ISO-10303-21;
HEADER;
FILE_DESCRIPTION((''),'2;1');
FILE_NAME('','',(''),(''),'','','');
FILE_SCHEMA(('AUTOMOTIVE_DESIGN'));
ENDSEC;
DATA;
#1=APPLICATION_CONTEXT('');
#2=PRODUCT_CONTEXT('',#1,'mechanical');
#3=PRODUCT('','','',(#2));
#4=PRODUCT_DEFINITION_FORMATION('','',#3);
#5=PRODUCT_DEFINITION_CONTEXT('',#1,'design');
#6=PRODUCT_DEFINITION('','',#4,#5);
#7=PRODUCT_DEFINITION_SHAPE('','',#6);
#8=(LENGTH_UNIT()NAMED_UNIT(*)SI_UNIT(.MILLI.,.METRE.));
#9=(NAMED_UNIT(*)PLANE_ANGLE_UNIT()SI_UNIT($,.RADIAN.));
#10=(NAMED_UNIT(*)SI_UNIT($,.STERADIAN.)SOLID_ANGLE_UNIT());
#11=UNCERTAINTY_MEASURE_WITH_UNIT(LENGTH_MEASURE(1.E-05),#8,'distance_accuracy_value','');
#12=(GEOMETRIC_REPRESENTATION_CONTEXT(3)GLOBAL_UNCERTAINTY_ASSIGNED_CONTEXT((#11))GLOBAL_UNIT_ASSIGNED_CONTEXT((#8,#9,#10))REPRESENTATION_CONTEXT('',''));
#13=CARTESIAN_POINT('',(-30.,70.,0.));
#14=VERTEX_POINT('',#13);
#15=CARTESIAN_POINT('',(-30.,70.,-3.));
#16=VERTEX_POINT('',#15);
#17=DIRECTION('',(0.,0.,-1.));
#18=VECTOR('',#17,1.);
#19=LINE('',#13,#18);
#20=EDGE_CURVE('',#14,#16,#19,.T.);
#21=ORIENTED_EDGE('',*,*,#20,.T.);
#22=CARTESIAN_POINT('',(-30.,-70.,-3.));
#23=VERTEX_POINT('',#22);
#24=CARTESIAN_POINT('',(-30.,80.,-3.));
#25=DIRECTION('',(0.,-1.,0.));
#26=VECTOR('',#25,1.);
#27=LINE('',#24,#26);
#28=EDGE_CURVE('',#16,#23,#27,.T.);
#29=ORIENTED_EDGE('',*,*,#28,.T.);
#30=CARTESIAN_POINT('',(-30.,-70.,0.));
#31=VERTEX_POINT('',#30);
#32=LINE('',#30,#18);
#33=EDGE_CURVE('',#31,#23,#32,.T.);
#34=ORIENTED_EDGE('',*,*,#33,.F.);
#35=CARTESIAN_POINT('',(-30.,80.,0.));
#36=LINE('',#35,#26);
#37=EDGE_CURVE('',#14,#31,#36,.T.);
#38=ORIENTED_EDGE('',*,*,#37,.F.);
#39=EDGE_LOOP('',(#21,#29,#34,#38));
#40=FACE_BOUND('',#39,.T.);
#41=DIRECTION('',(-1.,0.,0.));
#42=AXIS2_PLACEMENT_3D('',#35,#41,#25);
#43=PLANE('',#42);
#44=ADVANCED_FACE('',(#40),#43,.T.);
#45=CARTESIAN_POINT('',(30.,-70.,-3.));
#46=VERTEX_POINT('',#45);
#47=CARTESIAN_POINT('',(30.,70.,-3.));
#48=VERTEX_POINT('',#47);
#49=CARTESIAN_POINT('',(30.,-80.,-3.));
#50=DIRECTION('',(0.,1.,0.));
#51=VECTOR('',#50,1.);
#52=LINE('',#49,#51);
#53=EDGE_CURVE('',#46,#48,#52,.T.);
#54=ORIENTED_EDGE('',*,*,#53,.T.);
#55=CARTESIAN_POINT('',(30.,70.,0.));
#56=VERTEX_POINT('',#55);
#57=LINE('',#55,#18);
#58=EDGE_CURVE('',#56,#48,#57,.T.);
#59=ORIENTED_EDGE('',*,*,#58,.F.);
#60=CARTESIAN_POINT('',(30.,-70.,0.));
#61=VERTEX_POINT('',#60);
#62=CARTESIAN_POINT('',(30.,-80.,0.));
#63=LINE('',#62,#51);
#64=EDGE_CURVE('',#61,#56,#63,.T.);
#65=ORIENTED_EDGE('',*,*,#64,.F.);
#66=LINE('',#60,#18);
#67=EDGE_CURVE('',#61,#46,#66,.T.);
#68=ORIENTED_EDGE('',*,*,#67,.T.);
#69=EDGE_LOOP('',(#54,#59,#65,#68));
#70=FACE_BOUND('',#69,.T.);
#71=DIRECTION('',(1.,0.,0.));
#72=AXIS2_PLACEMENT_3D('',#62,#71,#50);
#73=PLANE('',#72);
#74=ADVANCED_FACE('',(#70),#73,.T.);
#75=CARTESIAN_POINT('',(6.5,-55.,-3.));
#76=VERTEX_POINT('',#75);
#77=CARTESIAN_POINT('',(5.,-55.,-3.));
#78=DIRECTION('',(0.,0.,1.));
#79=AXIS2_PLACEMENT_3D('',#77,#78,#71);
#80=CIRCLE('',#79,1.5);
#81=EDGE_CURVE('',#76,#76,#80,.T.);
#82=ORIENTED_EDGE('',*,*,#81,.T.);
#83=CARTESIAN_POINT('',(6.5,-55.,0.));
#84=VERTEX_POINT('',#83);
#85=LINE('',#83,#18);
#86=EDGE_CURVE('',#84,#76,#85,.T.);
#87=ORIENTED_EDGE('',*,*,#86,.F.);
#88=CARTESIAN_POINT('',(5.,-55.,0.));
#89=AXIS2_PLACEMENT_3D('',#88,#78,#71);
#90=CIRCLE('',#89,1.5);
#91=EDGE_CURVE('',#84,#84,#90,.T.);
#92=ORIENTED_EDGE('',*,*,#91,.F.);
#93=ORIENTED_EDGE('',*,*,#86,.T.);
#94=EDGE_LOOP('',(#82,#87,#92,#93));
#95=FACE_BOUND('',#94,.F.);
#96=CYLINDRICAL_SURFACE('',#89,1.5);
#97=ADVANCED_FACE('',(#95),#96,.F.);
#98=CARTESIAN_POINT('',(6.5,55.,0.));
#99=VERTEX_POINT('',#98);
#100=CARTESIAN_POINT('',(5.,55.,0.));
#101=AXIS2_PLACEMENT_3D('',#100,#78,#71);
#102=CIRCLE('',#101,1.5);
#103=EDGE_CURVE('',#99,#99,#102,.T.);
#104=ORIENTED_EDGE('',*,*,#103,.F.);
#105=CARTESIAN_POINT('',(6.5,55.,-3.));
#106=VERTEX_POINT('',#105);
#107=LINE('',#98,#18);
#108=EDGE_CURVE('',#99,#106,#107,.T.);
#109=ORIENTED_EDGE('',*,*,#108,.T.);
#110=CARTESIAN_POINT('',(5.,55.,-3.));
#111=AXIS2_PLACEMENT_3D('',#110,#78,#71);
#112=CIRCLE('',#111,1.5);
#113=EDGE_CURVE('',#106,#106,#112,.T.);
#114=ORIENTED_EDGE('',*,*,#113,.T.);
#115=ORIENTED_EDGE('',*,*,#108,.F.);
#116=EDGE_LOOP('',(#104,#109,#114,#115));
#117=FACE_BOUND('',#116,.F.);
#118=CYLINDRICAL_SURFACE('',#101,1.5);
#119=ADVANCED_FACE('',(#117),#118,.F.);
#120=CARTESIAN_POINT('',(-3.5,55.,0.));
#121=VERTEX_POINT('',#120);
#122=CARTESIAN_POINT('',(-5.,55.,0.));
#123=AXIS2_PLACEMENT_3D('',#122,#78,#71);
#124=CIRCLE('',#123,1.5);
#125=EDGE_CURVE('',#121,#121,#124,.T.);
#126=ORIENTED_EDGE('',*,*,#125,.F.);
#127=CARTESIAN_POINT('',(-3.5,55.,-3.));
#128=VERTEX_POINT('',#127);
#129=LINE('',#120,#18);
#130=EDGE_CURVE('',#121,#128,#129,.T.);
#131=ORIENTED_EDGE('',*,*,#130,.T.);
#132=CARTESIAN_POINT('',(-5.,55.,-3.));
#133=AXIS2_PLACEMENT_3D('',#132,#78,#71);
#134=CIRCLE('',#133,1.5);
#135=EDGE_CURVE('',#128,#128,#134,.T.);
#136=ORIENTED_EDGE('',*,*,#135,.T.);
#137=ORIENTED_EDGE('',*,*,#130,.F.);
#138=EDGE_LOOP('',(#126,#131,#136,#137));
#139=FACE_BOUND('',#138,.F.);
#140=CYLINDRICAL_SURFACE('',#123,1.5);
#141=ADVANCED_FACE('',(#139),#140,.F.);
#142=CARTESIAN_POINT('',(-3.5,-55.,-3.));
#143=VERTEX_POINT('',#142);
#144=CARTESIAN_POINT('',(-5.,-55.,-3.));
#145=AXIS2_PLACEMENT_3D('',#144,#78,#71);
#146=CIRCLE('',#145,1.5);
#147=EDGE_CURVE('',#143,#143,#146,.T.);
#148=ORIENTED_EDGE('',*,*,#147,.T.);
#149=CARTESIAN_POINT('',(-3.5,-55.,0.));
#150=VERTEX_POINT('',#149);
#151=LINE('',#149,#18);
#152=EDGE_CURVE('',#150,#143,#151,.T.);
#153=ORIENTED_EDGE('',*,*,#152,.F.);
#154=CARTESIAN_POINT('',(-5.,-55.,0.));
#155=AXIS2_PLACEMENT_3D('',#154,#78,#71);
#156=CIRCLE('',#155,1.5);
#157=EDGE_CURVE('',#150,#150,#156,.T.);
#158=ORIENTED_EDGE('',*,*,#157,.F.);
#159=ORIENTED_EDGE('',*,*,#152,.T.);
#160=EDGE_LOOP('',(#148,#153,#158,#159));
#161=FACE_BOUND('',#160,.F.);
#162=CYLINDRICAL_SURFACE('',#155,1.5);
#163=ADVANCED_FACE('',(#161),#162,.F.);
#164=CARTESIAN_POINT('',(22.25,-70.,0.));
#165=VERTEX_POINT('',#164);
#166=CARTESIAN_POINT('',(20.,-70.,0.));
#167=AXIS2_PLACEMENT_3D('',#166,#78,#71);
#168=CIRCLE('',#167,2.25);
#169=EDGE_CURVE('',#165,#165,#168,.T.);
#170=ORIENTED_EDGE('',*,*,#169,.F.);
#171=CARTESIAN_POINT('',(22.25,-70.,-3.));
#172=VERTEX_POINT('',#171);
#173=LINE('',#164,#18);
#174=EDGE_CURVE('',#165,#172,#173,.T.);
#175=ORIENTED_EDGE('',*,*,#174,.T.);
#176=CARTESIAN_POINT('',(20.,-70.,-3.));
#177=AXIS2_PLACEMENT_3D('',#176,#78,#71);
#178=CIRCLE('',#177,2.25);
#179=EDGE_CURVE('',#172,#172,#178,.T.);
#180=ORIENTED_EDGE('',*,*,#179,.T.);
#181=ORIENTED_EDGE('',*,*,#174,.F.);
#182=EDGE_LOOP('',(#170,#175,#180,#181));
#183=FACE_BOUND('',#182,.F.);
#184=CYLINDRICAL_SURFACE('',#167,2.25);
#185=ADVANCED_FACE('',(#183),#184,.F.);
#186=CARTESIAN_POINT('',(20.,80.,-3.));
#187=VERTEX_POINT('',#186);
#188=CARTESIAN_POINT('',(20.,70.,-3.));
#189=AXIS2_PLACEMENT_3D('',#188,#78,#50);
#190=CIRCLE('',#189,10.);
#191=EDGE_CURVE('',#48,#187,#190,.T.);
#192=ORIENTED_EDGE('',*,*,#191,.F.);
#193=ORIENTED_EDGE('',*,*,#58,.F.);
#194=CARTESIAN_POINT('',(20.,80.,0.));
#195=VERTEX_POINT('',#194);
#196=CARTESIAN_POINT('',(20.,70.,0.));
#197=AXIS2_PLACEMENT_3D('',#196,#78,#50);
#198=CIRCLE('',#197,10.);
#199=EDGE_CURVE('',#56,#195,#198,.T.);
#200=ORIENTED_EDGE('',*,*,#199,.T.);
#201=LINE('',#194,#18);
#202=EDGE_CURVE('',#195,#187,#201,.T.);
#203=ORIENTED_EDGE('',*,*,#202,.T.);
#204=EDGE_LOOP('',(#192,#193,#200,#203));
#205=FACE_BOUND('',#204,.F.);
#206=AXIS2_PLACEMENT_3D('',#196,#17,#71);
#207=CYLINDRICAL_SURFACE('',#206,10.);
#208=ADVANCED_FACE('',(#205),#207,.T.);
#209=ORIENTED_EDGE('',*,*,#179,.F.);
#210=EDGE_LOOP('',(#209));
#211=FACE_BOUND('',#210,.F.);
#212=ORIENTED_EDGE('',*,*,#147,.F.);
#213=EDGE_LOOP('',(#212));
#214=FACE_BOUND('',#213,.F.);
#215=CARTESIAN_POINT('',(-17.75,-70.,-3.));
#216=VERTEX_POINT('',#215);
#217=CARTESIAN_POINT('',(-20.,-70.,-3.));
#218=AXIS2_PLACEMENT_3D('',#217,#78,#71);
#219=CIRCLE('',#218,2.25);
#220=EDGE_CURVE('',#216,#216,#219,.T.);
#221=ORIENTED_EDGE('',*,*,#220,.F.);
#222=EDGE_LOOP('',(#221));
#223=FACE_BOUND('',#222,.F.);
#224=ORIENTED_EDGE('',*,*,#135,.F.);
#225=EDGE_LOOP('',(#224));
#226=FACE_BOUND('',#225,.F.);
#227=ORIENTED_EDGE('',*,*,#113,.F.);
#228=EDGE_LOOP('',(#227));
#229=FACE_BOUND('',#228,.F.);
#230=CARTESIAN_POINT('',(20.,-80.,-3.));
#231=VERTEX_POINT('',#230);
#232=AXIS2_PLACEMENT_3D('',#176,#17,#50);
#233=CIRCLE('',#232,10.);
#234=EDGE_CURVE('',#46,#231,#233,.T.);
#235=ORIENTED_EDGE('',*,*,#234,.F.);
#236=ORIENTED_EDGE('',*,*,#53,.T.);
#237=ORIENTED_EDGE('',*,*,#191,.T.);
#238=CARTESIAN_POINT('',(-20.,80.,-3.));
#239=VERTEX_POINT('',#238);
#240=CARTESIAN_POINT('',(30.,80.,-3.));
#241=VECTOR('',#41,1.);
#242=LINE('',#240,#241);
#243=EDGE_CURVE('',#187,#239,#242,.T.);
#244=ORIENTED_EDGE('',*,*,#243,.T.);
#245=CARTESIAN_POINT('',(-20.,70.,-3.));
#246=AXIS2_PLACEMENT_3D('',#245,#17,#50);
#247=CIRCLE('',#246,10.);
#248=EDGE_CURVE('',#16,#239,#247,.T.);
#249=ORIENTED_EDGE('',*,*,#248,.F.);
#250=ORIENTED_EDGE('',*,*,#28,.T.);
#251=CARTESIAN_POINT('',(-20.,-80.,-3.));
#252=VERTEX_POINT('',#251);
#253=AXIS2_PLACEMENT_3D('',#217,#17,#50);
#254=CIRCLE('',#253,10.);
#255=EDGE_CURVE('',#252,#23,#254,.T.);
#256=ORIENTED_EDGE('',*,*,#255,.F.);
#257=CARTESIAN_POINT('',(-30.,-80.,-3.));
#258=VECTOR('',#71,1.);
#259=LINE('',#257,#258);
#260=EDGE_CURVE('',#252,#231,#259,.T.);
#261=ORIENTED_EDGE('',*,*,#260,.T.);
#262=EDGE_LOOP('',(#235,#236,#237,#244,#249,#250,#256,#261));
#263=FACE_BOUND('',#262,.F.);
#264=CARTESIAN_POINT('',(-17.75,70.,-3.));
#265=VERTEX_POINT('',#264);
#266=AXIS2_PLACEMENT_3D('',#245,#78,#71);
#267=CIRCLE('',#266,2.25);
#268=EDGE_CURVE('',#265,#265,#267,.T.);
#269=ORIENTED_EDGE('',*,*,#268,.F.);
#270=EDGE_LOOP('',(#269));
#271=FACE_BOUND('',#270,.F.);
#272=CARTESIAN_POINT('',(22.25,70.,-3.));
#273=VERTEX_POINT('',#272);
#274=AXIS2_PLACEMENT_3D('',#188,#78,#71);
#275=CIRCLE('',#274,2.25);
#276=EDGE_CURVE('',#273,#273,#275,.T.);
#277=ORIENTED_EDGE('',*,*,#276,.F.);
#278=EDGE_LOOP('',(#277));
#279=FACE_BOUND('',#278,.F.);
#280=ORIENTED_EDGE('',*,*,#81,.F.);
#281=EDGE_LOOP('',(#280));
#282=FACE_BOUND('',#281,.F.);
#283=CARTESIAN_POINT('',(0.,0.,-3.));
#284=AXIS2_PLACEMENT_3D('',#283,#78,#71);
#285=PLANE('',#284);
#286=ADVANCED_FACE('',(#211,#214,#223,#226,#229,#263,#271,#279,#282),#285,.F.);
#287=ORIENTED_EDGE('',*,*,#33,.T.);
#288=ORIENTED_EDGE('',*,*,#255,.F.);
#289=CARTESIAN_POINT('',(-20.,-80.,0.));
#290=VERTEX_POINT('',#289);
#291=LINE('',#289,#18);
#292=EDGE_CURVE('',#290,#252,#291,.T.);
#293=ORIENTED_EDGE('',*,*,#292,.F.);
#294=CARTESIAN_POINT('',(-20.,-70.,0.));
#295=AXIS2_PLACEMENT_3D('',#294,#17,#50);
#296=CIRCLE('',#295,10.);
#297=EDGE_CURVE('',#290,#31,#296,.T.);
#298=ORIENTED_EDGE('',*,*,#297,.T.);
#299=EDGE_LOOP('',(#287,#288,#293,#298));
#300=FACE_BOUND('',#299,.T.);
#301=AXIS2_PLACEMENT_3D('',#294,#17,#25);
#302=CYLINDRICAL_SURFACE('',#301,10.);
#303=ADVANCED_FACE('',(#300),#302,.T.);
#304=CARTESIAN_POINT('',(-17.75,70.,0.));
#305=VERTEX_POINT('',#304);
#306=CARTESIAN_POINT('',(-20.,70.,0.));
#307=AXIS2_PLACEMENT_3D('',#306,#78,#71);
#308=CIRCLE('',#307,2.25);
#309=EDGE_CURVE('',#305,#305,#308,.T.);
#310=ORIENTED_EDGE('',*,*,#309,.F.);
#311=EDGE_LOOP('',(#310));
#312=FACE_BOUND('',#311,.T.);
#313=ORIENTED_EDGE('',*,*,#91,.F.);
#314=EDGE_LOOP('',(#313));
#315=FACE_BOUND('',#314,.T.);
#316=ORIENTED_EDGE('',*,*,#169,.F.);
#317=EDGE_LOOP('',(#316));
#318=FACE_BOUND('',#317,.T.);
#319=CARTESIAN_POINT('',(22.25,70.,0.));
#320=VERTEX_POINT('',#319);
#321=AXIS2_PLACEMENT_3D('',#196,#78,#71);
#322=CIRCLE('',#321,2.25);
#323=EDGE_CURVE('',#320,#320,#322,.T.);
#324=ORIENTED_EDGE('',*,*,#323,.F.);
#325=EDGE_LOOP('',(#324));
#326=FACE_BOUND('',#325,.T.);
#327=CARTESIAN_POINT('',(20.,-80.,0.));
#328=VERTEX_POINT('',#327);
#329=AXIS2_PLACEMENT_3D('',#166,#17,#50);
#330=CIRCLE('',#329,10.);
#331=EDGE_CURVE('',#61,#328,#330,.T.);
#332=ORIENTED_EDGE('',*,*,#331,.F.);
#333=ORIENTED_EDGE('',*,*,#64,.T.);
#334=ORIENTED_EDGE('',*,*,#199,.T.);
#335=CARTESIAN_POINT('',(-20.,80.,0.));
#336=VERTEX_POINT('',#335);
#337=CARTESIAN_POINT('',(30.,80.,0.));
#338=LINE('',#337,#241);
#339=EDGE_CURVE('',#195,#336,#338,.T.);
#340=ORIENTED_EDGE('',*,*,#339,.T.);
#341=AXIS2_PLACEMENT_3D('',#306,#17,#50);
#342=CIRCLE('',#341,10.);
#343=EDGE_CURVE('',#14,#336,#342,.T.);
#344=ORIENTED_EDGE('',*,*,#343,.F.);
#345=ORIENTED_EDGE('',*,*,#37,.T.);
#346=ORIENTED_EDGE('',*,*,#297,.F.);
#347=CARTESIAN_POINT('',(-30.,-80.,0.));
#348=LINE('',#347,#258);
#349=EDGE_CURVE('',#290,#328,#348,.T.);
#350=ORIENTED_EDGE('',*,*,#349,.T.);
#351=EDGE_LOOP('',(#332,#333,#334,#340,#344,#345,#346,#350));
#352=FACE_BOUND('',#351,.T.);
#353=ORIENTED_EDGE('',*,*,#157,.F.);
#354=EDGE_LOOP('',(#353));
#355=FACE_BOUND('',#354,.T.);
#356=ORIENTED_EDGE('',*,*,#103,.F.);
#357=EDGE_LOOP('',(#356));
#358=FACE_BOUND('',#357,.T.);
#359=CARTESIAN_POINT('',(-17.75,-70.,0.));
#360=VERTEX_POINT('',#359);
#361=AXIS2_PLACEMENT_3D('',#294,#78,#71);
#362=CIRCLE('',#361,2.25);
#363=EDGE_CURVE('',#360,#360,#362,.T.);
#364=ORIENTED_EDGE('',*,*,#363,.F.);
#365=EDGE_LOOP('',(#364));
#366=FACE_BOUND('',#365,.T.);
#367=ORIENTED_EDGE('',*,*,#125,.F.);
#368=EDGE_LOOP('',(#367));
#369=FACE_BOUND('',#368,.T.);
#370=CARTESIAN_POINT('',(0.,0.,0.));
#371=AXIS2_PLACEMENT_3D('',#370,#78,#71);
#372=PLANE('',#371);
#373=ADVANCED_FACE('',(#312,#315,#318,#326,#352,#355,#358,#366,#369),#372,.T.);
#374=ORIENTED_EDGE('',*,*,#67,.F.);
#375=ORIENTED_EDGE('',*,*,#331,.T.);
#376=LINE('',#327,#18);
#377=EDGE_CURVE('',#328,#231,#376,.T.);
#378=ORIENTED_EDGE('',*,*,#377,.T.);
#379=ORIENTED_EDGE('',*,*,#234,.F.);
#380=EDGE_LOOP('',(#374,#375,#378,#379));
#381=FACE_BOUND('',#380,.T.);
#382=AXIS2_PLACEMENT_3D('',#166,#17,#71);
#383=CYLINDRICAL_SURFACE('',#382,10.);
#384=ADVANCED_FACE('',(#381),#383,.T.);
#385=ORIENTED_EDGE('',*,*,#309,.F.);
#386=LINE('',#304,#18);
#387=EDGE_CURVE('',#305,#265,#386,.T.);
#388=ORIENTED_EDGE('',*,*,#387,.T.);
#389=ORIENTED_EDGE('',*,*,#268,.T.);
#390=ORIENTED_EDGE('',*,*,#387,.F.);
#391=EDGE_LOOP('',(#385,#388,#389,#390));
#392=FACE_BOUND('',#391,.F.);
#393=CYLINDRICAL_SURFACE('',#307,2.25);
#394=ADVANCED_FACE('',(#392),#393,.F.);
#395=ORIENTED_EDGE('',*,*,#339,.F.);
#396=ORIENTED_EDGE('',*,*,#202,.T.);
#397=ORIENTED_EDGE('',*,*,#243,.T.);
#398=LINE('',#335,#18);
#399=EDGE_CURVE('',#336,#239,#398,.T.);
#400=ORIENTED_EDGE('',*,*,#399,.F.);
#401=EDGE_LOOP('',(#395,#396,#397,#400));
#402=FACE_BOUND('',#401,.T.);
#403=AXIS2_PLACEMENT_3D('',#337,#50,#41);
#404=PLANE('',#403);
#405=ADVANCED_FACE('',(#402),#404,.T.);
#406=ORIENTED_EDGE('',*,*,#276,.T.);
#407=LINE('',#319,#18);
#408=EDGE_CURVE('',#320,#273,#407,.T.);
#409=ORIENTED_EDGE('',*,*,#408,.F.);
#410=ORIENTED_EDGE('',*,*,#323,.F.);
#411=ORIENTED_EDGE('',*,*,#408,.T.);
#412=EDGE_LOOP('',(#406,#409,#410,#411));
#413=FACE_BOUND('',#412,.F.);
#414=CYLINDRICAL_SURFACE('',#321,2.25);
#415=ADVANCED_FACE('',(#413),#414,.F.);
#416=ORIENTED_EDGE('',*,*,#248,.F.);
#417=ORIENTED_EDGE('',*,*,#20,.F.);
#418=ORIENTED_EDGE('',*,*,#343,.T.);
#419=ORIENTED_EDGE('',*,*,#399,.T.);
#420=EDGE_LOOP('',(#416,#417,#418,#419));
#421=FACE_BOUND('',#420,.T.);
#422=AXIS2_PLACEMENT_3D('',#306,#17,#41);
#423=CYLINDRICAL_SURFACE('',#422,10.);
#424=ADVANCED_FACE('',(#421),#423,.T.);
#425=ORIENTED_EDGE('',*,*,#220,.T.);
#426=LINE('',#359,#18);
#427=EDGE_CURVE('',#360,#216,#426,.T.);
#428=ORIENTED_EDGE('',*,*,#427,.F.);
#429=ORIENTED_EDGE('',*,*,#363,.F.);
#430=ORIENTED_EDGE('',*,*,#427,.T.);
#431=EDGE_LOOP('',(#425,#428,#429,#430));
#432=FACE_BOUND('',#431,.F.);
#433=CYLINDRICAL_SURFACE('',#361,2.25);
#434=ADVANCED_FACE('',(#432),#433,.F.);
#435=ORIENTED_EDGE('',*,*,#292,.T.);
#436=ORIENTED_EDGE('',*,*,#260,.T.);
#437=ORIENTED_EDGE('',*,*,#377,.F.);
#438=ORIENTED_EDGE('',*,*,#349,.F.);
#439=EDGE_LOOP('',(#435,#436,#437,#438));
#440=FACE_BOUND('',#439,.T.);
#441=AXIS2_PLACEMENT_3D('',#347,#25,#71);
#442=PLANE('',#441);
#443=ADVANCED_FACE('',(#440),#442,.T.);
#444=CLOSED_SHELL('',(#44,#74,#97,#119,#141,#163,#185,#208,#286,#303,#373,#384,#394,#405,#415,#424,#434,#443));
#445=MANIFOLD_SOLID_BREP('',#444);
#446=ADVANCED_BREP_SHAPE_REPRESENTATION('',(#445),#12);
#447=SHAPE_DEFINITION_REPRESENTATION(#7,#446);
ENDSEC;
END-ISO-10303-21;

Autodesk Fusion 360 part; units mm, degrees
sketch "Sketch1" plane through (0, 0, 0) normal (0, 0, 1) x (1, 0, 0)
  line L0 (30, 80) -> (-30, 80)
  line L1 (-30, 80) -> (-30, -80)
  line L2 (-30, -80) -> (30, -80)
  line L3 (30, -80) -> (30, 80)
  line L4 (30, 80) -> (-30, -80) construction
  line L5 (-30, 80) -> (30, -80) construction
  line L6 (20, 70) -> (-20, 70) construction
  line L7 (-20, 70) -> (-20, -70) construction
  line L8 (-20, -70) -> (20, -70) construction
  line L9 (20, -70) -> (20, 70) construction
  line L10 (20, 70) -> (-20, -70) construction
  line L11 (-20, 70) -> (20, -70) construction
  line L12 (0, 0) -> (30, 0) construction
  circle A0 centre (20, 70) radius 2.25
  circle A1 centre (-20, 70) radius 2.25
  circle A2 centre (-20, -70) radius 2.25
  circle A3 centre (20, -70) radius 2.25
  line L13 (-30, 55) -> (30, 55) construction
  line L14 (0, 0) -> (0, 80) construction
  circle A4 centre (5, 55) radius 1.5
  circle A5 centre (-5, 55) radius 1.5
  circle A6 centre (5, -55) radius 1.5
  circle A7 centre (-5, -55) radius 1.5
  dimension "d1" = 160
  dimension "d2" = 60
  dimension "d3" = 40
  dimension "d4" = 140
  dimension "d5" = 4.5
  dimension "d6" = 4.5
  dimension "d11" = 3
  dimension "d12" = 5
  dimension "d13" = 55
extrude "Extrude1" add sketch "Sketch1" against normal blind 3
fillet "Fillet1" radius 10 4 edges at (-30, -80, -1.5) (30, -80, -1.5) (30, 80, -1.5) (-30, 80, -1.5)
equation "d6 = d5"
